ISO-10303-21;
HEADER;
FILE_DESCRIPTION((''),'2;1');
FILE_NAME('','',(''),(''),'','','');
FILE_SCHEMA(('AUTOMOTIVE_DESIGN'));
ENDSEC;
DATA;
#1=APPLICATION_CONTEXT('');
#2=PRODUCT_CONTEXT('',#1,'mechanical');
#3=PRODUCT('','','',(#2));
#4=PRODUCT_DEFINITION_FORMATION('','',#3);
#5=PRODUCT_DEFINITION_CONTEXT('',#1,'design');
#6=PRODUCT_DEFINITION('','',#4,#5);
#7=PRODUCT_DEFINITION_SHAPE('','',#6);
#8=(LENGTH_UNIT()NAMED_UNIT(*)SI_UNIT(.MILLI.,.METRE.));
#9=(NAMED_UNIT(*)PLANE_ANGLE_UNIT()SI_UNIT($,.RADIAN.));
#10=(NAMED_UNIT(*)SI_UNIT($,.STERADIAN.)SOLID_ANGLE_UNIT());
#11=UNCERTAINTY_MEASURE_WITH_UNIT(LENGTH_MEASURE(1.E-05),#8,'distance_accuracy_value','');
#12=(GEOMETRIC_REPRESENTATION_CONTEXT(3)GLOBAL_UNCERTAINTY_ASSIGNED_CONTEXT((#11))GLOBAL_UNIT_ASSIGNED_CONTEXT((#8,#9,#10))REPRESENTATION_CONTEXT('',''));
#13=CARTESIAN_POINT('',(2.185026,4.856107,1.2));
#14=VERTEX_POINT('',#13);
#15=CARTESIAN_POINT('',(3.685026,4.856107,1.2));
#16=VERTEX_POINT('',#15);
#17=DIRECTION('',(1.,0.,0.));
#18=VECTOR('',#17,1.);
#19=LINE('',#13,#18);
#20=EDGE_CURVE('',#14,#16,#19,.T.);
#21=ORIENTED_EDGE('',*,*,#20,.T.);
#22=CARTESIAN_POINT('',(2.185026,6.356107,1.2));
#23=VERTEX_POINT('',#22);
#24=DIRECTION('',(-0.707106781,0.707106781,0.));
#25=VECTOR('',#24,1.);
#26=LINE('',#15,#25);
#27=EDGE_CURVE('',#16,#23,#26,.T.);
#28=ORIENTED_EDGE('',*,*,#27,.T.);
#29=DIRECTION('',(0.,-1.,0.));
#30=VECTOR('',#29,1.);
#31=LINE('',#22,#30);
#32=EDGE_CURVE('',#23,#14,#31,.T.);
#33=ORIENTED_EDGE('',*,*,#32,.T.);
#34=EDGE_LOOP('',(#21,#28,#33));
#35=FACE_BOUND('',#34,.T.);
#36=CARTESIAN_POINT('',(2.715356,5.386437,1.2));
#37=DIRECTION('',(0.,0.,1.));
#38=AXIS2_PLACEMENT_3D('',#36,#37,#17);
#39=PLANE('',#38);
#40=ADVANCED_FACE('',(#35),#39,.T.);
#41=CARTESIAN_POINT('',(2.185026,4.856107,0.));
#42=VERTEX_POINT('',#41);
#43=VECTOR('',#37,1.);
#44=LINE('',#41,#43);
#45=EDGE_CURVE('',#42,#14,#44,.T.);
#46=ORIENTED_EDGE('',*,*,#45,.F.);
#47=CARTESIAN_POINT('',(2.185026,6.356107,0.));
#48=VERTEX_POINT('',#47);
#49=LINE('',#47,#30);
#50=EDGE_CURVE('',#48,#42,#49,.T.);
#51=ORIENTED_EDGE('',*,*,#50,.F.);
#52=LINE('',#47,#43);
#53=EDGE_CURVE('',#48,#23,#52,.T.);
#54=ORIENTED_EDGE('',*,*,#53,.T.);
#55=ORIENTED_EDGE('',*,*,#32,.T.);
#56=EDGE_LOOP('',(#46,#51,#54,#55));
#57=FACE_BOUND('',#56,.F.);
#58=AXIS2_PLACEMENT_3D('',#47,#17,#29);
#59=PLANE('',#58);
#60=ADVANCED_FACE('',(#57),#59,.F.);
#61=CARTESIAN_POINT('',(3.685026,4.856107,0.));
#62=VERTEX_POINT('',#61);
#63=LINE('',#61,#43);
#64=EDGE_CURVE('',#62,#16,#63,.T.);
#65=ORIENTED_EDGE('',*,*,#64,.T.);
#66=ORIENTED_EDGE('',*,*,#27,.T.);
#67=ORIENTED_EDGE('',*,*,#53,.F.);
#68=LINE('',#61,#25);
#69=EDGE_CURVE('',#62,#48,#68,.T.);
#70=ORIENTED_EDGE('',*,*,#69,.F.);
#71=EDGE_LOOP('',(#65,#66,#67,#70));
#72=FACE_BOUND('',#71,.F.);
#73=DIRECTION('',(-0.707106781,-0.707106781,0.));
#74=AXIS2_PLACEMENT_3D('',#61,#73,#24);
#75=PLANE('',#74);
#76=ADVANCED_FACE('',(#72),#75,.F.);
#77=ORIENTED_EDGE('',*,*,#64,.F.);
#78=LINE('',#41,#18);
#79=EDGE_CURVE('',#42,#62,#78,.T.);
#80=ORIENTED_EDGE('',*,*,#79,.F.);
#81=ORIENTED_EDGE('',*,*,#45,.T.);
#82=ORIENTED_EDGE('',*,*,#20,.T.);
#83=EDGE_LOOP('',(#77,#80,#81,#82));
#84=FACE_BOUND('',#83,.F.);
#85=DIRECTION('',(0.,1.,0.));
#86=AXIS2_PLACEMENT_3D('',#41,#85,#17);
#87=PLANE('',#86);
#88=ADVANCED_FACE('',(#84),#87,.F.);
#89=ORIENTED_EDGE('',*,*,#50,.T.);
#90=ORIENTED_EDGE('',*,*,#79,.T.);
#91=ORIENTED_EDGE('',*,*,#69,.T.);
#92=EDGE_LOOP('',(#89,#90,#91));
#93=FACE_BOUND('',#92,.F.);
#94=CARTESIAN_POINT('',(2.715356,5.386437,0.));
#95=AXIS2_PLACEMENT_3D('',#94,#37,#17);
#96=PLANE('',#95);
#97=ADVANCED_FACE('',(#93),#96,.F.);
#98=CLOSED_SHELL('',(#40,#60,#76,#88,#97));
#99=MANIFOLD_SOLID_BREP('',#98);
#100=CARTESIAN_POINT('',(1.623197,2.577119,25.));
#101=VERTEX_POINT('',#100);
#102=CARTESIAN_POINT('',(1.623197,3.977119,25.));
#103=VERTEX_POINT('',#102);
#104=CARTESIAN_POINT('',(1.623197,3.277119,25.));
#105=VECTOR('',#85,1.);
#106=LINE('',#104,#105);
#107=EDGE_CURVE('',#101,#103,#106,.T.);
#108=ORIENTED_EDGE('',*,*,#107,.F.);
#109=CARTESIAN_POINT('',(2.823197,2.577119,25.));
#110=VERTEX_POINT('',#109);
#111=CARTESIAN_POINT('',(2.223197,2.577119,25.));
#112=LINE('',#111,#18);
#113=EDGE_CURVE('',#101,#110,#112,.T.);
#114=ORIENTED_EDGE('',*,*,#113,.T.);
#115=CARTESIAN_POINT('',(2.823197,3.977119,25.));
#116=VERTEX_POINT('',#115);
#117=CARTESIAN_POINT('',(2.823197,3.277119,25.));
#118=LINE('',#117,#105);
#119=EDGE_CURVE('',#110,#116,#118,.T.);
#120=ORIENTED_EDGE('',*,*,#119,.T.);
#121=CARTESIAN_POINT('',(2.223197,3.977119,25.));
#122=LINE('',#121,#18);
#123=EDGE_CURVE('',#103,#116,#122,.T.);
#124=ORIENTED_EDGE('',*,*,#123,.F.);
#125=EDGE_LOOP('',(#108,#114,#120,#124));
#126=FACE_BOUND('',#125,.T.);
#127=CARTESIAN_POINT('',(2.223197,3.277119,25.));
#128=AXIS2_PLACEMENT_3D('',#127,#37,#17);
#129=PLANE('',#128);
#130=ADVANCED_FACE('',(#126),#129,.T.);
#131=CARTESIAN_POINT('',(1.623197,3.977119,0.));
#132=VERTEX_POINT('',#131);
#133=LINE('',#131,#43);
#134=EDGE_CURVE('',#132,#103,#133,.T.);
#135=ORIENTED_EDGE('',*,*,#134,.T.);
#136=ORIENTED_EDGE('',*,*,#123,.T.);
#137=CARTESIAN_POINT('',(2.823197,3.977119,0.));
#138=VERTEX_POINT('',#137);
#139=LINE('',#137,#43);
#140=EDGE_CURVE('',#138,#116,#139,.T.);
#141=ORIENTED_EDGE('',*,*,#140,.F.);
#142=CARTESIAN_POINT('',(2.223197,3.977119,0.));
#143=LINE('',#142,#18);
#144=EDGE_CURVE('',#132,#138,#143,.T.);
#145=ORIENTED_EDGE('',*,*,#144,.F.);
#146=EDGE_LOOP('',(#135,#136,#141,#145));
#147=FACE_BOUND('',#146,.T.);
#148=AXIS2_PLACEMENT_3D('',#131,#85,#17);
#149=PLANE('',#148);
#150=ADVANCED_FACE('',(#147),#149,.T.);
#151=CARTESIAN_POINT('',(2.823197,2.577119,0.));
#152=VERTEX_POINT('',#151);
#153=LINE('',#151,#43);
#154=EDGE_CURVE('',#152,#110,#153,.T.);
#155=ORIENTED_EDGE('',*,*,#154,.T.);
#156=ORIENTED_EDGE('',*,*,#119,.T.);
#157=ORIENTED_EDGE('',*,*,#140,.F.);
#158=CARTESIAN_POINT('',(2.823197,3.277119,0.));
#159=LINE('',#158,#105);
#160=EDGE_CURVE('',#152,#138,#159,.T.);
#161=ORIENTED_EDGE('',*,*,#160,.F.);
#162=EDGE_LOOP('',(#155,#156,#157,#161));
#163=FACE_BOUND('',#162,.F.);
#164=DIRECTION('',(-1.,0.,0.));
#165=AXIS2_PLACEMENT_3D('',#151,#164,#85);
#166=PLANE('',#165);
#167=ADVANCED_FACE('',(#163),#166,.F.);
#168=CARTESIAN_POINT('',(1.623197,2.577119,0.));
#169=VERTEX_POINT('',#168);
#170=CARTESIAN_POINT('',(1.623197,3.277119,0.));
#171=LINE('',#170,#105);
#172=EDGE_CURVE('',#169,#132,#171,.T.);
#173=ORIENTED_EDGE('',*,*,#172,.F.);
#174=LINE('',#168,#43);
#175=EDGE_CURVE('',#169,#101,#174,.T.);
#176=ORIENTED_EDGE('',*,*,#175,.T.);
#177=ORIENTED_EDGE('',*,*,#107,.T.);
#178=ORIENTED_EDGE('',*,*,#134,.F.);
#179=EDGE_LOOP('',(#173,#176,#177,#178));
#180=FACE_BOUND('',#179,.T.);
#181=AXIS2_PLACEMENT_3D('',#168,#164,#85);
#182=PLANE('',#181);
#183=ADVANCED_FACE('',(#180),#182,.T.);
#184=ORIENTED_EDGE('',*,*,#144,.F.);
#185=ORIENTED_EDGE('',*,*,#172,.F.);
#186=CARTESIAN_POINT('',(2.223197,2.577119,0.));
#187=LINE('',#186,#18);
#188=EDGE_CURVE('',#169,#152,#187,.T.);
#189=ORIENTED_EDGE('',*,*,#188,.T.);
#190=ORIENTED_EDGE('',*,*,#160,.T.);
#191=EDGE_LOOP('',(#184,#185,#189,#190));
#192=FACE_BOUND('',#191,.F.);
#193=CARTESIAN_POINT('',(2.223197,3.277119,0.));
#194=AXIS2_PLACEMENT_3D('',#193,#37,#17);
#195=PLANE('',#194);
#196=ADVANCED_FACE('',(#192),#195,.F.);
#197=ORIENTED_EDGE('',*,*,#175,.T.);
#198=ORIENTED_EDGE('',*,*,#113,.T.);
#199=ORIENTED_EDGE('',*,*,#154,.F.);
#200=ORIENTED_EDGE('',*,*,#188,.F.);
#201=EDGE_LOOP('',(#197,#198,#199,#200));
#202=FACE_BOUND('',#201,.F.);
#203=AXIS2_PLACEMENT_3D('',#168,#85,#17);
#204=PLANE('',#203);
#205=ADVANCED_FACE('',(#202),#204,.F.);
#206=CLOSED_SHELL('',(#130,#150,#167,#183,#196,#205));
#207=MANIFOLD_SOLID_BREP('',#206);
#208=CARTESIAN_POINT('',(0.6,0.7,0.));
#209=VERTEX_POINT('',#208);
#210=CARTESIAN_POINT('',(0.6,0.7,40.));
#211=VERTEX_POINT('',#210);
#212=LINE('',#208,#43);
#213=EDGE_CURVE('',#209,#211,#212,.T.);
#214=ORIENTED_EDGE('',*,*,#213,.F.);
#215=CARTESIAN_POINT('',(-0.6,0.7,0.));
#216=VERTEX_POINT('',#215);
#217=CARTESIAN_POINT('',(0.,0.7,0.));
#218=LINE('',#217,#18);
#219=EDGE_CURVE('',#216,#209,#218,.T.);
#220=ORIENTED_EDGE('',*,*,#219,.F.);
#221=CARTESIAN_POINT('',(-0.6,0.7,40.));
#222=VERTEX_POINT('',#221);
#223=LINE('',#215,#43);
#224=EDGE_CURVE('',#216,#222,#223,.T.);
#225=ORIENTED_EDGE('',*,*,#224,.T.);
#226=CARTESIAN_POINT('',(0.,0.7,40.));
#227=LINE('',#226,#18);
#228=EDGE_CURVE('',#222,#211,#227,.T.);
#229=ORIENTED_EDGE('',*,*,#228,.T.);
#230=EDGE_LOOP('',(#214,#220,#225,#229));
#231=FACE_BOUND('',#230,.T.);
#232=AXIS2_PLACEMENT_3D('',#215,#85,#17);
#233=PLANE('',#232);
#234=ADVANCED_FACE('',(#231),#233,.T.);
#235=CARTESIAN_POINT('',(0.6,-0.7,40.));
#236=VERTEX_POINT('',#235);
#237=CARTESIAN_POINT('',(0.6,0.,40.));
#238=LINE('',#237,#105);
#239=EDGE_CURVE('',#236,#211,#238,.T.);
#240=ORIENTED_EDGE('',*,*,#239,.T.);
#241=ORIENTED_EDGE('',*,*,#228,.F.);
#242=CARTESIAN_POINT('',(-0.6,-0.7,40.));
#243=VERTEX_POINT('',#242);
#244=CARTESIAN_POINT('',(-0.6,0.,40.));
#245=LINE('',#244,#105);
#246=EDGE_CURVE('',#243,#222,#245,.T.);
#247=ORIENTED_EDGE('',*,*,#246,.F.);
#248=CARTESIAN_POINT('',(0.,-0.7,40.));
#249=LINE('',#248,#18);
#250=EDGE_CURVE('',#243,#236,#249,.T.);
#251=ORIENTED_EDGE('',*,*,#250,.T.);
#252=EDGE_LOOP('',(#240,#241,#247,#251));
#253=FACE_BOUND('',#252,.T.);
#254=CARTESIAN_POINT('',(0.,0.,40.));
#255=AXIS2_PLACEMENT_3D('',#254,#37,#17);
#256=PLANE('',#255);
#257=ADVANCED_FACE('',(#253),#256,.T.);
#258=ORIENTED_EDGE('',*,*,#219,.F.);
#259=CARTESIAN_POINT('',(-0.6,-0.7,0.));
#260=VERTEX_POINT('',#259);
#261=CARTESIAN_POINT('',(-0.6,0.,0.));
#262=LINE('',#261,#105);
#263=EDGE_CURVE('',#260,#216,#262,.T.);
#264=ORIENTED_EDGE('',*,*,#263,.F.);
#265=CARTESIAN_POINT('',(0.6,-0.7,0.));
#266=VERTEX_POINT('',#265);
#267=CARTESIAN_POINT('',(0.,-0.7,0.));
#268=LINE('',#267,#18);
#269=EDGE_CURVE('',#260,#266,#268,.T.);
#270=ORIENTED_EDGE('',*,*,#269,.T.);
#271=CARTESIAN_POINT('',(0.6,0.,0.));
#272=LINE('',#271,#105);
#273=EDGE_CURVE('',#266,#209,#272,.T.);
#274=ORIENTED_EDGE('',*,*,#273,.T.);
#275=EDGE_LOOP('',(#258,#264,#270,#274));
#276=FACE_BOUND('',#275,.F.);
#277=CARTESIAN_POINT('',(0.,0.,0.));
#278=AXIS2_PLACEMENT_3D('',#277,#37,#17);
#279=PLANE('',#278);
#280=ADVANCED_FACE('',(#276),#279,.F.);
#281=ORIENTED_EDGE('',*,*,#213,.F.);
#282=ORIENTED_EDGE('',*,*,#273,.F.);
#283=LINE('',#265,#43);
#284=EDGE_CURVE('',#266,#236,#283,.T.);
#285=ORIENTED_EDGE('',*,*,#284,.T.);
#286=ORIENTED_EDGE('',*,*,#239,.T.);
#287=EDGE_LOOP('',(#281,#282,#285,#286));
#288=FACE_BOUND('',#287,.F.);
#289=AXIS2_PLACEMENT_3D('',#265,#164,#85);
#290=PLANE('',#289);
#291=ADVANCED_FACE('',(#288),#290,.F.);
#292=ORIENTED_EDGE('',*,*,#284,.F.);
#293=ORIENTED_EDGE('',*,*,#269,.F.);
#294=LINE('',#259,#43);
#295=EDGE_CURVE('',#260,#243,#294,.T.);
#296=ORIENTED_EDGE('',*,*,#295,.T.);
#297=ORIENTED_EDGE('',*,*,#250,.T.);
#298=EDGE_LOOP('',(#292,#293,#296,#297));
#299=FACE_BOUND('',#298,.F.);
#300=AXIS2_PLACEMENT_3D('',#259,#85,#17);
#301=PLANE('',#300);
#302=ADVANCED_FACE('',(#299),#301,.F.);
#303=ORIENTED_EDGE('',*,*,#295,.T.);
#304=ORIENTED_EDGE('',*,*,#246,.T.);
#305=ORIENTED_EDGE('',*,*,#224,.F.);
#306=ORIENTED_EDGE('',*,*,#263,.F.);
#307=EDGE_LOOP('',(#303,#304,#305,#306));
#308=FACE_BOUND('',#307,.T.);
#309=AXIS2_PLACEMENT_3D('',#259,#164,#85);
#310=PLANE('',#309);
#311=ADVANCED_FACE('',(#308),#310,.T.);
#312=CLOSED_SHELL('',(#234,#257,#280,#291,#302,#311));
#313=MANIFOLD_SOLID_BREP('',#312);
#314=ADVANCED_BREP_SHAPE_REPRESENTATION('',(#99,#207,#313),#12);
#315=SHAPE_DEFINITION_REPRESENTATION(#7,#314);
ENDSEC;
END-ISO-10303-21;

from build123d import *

# Parameters (mm, degrees)
F0_W     = 1.2
F0_H     = 1.4
F2_DEPTH = 40
F3_W     = 1.2
F3_H     = 1.4
F4_DEPTH = 25
F6_DEPTH = 1.2


with BuildPart() as f2:
    # F0 (on Top) → F2 (new body)
    with BuildSketch(Plane.XY):
        Rectangle(F0_W, F0_H)
    extrude(amount=F2_DEPTH)


with BuildPart() as f4:
    # F3 (on Top) → F4 (new body)
    with BuildSketch(Plane.XY):
        with Locations((2.223197, 3.277119)):
            Rectangle(F3_W, F3_H)
    extrude(amount=F4_DEPTH)


with BuildPart() as f6:
    # F5 (on Top) → F6 (new body)
    with BuildSketch(Plane.XY):
        Polygon((3.685026, 4.856107), (2.185026, 6.356107), (2.185026, 4.856107), align=None)
    extrude(amount=F6_DEPTH)


solid = Compound([f2.part, f4.part, f6.part])
